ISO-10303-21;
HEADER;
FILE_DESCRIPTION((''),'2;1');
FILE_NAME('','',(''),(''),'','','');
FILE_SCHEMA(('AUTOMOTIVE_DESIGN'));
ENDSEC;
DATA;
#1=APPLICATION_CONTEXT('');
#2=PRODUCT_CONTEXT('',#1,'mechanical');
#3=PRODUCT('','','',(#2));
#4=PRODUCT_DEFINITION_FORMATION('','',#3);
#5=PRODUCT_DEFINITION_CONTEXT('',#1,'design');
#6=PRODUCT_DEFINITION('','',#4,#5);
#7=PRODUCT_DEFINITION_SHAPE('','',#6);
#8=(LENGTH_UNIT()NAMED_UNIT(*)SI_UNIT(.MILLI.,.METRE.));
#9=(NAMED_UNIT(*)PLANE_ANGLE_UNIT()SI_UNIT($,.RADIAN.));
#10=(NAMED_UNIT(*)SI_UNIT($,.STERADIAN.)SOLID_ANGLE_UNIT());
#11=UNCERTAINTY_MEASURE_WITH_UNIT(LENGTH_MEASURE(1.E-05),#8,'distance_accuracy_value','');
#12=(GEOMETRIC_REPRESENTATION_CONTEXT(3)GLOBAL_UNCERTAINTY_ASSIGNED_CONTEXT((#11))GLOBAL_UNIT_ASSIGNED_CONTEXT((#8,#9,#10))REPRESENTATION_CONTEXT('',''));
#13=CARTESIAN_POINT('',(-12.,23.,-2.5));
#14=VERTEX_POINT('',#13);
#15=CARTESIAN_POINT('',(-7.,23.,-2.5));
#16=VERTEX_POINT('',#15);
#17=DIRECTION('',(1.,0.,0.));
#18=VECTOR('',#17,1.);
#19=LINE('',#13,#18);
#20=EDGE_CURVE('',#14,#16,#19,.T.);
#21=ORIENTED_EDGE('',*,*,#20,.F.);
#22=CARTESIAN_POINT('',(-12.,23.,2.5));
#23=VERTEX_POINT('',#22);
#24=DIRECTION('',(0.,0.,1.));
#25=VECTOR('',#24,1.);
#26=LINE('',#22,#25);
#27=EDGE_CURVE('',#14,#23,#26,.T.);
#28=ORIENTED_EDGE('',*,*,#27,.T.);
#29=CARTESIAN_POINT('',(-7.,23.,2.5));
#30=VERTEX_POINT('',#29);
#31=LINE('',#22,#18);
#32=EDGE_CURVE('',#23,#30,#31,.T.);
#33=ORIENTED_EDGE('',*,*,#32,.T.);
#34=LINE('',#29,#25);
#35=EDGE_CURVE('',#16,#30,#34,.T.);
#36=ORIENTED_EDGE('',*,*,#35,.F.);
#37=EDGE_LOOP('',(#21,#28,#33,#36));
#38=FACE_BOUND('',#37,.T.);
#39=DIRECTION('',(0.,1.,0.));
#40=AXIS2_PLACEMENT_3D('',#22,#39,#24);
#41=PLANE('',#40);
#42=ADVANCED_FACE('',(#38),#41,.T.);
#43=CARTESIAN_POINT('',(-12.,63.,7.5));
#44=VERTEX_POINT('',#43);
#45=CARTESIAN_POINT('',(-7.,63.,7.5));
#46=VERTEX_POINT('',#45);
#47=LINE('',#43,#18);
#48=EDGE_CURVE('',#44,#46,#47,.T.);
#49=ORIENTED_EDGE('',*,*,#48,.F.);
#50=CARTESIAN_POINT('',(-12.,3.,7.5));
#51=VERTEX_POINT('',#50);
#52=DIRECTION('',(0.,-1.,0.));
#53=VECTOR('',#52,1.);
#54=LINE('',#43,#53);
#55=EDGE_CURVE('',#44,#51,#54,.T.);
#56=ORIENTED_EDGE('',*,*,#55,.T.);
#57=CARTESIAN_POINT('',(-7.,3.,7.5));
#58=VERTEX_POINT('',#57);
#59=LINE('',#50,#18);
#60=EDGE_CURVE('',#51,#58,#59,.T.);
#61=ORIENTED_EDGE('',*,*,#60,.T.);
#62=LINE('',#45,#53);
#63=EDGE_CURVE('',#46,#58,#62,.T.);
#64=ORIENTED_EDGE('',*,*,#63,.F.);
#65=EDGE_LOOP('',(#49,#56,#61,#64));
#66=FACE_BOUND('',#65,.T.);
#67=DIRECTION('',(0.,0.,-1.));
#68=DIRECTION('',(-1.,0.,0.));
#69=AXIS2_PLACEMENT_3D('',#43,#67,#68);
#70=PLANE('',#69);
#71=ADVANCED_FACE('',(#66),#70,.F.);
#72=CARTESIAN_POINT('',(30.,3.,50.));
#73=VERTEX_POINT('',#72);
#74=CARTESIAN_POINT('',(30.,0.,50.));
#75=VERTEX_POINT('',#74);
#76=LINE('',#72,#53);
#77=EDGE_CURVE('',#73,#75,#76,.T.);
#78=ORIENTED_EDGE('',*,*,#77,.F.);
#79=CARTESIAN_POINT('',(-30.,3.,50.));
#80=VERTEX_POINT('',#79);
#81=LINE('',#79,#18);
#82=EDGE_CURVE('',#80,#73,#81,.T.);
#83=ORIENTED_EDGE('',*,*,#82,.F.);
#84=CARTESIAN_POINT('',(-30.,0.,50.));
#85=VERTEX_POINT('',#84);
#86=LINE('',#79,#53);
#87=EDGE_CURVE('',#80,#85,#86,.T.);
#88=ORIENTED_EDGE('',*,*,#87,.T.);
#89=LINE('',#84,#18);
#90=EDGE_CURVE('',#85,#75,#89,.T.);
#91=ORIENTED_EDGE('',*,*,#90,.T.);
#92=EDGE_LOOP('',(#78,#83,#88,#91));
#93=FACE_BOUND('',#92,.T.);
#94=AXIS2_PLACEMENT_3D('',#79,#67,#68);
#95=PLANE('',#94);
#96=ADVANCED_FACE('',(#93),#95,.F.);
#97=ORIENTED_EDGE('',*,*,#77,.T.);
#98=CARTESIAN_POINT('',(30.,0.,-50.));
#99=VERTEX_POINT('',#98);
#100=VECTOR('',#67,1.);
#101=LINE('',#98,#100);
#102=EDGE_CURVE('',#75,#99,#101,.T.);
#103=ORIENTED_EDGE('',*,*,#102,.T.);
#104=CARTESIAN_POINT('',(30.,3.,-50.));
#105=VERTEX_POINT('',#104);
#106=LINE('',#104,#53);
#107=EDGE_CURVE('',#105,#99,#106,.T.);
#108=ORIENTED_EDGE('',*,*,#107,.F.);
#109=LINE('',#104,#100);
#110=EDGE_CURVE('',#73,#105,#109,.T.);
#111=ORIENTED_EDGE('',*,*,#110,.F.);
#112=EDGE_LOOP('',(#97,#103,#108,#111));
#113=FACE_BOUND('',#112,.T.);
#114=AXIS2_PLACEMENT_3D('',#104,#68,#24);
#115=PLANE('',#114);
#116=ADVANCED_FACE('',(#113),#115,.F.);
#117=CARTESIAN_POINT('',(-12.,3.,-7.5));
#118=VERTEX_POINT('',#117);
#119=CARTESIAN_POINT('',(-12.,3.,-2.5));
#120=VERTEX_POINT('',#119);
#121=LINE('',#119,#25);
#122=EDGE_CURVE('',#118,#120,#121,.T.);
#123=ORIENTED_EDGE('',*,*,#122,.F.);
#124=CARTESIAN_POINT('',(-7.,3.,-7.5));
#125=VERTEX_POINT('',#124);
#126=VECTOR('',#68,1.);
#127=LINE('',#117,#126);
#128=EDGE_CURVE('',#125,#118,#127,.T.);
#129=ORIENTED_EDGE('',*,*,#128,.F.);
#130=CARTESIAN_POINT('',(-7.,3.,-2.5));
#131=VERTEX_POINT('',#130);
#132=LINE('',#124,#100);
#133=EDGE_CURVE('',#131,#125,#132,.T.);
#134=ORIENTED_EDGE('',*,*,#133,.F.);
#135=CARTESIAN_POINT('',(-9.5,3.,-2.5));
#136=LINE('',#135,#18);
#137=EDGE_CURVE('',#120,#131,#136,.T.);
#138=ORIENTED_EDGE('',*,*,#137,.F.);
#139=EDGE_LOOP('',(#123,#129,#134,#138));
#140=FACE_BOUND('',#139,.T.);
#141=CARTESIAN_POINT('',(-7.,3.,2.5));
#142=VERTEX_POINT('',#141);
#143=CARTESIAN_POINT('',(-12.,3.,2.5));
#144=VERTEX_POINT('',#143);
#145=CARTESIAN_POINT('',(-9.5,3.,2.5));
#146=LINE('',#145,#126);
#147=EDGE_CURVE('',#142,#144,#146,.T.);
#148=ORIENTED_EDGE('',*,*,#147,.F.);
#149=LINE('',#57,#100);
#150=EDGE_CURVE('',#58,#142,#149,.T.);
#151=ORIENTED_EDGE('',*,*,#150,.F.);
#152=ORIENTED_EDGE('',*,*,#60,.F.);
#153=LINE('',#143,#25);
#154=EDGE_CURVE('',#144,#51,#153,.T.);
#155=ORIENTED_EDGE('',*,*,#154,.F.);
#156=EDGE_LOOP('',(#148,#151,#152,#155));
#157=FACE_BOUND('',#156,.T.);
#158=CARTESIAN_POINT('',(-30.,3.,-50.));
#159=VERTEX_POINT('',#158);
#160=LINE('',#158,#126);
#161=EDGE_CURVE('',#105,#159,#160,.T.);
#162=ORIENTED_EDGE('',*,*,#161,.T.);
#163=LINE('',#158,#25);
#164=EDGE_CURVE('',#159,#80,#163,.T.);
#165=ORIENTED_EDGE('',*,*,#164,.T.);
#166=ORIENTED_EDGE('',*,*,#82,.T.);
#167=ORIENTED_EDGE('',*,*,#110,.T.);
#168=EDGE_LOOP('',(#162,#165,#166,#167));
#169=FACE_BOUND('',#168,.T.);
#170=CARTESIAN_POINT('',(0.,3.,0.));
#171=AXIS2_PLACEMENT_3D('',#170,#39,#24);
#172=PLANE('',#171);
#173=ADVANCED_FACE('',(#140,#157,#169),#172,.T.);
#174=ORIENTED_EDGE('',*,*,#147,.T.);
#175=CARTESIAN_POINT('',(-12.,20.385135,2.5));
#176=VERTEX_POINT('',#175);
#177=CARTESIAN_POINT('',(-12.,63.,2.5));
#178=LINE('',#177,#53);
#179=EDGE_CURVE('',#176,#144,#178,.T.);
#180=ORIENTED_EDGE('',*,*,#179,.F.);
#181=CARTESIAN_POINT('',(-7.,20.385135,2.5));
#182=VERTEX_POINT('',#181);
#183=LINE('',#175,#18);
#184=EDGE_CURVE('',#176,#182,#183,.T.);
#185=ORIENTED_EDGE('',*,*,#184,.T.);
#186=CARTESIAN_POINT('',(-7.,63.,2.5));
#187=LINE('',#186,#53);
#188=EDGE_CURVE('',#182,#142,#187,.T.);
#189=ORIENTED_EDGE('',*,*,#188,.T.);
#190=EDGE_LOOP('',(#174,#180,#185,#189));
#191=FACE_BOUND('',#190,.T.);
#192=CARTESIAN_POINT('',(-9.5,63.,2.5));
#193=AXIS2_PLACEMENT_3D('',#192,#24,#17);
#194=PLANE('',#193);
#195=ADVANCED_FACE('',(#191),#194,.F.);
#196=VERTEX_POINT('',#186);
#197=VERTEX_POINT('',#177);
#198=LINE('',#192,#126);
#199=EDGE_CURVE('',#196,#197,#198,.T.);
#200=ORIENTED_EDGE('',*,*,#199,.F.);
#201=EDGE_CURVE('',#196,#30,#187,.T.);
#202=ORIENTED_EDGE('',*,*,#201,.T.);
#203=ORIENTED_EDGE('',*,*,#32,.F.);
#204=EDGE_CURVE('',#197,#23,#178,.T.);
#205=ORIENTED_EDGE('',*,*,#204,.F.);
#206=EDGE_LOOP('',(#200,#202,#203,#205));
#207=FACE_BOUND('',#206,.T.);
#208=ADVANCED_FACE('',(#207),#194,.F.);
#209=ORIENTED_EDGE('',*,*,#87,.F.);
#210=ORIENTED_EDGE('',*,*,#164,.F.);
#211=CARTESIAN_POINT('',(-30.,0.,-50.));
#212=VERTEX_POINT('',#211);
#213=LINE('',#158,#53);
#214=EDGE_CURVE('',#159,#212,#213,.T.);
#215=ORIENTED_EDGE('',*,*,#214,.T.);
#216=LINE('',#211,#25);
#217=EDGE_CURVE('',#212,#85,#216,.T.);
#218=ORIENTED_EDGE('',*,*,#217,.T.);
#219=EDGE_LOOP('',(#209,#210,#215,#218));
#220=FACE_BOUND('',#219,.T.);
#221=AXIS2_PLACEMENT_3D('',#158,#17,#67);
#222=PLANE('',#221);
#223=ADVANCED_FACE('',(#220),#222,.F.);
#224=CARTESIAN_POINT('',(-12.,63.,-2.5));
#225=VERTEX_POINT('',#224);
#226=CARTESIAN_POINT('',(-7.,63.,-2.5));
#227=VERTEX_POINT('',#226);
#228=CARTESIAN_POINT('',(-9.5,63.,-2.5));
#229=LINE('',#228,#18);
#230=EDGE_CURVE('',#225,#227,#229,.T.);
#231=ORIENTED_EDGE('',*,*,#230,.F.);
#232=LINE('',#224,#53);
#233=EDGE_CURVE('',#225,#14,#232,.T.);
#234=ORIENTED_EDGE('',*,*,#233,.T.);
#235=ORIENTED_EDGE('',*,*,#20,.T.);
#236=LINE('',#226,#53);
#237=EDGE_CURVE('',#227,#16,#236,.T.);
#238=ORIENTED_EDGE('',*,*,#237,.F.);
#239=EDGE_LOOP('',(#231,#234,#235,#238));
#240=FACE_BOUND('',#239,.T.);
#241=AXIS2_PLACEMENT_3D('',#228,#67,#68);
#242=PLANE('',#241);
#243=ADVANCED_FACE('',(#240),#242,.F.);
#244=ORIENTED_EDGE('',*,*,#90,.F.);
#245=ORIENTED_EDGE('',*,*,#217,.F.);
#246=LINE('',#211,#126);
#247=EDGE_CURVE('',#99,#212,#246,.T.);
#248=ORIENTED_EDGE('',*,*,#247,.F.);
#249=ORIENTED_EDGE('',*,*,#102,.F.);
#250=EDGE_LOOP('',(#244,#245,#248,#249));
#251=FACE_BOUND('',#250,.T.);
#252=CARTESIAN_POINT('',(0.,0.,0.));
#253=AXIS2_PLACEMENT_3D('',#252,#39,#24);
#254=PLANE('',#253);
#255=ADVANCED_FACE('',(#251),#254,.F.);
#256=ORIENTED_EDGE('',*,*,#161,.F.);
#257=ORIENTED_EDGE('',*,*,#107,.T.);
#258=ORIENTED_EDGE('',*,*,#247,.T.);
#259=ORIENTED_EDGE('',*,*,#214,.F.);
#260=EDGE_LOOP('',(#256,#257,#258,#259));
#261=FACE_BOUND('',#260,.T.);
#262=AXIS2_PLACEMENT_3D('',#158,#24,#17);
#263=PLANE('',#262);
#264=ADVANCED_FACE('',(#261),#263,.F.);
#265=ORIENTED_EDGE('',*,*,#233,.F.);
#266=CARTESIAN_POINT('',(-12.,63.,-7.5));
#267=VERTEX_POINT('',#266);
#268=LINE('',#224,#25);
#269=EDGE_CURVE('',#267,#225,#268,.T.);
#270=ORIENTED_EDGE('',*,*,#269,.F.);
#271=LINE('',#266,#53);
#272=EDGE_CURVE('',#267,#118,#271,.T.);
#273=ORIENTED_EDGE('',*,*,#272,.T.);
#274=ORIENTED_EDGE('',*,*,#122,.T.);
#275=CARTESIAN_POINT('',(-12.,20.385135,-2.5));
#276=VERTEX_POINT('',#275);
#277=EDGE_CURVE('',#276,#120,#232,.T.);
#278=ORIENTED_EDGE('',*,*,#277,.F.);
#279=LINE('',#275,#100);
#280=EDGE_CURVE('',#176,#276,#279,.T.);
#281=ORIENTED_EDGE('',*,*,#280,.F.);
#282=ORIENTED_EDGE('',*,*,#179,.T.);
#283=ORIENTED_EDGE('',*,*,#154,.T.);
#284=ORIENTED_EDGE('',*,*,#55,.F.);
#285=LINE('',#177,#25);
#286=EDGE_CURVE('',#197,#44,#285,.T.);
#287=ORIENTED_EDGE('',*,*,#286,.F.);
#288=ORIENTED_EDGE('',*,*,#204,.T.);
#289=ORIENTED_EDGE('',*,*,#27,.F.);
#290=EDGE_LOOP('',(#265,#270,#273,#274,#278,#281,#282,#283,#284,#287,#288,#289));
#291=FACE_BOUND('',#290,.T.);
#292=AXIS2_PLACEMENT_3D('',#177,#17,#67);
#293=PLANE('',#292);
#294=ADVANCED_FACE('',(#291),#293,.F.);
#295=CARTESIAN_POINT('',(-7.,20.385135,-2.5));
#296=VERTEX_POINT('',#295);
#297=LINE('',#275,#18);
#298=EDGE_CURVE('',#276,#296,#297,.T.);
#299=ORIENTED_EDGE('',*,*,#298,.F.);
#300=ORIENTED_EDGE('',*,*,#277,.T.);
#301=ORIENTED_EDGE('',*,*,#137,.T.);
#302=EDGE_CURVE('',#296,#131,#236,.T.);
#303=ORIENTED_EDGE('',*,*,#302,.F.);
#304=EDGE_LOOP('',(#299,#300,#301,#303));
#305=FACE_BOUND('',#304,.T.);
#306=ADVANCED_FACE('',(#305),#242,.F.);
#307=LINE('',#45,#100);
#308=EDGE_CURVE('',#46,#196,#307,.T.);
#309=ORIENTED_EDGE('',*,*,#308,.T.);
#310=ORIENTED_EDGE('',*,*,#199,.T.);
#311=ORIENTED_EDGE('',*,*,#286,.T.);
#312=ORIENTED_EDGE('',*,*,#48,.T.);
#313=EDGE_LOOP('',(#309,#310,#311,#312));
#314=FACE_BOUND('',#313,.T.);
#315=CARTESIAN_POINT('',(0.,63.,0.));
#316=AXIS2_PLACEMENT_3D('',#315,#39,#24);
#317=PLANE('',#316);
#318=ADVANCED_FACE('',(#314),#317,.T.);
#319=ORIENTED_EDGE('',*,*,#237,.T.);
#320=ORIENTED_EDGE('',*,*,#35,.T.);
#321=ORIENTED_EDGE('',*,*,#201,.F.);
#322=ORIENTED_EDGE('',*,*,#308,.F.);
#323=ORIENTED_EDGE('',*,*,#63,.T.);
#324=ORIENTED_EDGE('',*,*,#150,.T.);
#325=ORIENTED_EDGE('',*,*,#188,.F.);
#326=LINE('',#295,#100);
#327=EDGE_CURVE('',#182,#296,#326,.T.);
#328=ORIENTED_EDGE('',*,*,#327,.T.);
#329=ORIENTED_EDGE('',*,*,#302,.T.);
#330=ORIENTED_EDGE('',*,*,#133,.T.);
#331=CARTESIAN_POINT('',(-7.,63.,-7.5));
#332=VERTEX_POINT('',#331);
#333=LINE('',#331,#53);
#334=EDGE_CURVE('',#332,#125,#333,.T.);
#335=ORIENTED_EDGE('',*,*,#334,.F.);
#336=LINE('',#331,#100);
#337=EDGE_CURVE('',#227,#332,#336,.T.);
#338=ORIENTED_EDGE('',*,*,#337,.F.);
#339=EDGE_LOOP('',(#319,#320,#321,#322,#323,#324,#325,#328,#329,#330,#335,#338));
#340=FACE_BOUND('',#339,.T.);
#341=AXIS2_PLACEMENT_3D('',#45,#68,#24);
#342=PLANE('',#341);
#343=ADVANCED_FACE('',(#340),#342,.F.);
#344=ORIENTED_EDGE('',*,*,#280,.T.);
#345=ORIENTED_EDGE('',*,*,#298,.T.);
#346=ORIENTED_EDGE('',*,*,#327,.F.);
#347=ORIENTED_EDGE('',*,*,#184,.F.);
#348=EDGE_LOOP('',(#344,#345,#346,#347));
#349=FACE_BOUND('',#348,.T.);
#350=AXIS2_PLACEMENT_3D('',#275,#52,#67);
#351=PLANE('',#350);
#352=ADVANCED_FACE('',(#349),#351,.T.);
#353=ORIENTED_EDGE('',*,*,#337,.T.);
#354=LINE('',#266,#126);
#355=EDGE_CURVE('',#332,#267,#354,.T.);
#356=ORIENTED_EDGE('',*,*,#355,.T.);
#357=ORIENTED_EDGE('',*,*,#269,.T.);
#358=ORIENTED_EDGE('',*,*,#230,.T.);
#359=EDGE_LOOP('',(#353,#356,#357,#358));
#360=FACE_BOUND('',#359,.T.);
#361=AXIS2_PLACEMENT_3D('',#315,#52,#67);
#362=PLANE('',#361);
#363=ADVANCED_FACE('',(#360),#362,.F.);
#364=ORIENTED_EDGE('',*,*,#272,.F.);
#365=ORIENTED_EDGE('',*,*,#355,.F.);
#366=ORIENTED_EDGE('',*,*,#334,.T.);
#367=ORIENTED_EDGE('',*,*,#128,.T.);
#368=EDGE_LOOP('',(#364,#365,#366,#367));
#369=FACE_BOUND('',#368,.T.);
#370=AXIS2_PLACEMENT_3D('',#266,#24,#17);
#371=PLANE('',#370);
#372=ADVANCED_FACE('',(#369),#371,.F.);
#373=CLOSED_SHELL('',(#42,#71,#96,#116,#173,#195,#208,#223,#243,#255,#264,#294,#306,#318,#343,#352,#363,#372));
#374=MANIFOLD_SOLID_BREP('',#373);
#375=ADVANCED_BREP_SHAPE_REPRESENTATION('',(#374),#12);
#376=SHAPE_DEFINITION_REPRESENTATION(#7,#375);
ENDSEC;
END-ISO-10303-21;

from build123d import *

# Parameters (mm, degrees)
SKETCH1_W           = 60
SKETCH1_H           = 100
BOSS_EXTRUDE1_DEPTH = 3
BOSS_EXTRUDE2_DEPTH = 60
BOSS_EXTRUDE3_START = -5
SKETCH3_W           = 5
SKETCH3_H           = 2.614864802
BOSS_EXTRUDE3_DEPTH = 5


with BuildPart() as part:
    # Sketch1 → Boss-Extrude1 (new body)
    with BuildSketch(Plane(origin=(0, 0, 0), x_dir=(1, 0, 0), z_dir=(0, 1, 0))):
        Rectangle(SKETCH1_W, SKETCH1_H)
    extrude(amount=BOSS_EXTRUDE1_DEPTH)

    # Sketch2 → Boss-Extrude2 (add)
    with BuildSketch(Plane(origin=(0, 3, 0), x_dir=(1, 0, 0), z_dir=(0, 1, 0))):
        Polygon((-9.5, 2.5), (-7, 2.5), (-7, 7.5), (-12, 7.5), (-12, 2.5), align=None)
        Polygon((-9.5, -2.5), (-7, -2.5), (-7, -7.5), (-12, -7.5), (-12, -2.5), align=None)
    extrude(amount=BOSS_EXTRUDE2_DEPTH)

    # Sketch3 → Boss-Extrude3 (add)
    with BuildSketch(Plane(origin=(-7, 0, 0), x_dir=(0, 0, -1), z_dir=(1, 0, 0)).offset(BOSS_EXTRUDE3_START)):
        with Locations((0, 21.692567599)):
            Rectangle(SKETCH3_W, SKETCH3_H)
    extrude(amount=BOSS_EXTRUDE3_DEPTH)


solid = part.part
